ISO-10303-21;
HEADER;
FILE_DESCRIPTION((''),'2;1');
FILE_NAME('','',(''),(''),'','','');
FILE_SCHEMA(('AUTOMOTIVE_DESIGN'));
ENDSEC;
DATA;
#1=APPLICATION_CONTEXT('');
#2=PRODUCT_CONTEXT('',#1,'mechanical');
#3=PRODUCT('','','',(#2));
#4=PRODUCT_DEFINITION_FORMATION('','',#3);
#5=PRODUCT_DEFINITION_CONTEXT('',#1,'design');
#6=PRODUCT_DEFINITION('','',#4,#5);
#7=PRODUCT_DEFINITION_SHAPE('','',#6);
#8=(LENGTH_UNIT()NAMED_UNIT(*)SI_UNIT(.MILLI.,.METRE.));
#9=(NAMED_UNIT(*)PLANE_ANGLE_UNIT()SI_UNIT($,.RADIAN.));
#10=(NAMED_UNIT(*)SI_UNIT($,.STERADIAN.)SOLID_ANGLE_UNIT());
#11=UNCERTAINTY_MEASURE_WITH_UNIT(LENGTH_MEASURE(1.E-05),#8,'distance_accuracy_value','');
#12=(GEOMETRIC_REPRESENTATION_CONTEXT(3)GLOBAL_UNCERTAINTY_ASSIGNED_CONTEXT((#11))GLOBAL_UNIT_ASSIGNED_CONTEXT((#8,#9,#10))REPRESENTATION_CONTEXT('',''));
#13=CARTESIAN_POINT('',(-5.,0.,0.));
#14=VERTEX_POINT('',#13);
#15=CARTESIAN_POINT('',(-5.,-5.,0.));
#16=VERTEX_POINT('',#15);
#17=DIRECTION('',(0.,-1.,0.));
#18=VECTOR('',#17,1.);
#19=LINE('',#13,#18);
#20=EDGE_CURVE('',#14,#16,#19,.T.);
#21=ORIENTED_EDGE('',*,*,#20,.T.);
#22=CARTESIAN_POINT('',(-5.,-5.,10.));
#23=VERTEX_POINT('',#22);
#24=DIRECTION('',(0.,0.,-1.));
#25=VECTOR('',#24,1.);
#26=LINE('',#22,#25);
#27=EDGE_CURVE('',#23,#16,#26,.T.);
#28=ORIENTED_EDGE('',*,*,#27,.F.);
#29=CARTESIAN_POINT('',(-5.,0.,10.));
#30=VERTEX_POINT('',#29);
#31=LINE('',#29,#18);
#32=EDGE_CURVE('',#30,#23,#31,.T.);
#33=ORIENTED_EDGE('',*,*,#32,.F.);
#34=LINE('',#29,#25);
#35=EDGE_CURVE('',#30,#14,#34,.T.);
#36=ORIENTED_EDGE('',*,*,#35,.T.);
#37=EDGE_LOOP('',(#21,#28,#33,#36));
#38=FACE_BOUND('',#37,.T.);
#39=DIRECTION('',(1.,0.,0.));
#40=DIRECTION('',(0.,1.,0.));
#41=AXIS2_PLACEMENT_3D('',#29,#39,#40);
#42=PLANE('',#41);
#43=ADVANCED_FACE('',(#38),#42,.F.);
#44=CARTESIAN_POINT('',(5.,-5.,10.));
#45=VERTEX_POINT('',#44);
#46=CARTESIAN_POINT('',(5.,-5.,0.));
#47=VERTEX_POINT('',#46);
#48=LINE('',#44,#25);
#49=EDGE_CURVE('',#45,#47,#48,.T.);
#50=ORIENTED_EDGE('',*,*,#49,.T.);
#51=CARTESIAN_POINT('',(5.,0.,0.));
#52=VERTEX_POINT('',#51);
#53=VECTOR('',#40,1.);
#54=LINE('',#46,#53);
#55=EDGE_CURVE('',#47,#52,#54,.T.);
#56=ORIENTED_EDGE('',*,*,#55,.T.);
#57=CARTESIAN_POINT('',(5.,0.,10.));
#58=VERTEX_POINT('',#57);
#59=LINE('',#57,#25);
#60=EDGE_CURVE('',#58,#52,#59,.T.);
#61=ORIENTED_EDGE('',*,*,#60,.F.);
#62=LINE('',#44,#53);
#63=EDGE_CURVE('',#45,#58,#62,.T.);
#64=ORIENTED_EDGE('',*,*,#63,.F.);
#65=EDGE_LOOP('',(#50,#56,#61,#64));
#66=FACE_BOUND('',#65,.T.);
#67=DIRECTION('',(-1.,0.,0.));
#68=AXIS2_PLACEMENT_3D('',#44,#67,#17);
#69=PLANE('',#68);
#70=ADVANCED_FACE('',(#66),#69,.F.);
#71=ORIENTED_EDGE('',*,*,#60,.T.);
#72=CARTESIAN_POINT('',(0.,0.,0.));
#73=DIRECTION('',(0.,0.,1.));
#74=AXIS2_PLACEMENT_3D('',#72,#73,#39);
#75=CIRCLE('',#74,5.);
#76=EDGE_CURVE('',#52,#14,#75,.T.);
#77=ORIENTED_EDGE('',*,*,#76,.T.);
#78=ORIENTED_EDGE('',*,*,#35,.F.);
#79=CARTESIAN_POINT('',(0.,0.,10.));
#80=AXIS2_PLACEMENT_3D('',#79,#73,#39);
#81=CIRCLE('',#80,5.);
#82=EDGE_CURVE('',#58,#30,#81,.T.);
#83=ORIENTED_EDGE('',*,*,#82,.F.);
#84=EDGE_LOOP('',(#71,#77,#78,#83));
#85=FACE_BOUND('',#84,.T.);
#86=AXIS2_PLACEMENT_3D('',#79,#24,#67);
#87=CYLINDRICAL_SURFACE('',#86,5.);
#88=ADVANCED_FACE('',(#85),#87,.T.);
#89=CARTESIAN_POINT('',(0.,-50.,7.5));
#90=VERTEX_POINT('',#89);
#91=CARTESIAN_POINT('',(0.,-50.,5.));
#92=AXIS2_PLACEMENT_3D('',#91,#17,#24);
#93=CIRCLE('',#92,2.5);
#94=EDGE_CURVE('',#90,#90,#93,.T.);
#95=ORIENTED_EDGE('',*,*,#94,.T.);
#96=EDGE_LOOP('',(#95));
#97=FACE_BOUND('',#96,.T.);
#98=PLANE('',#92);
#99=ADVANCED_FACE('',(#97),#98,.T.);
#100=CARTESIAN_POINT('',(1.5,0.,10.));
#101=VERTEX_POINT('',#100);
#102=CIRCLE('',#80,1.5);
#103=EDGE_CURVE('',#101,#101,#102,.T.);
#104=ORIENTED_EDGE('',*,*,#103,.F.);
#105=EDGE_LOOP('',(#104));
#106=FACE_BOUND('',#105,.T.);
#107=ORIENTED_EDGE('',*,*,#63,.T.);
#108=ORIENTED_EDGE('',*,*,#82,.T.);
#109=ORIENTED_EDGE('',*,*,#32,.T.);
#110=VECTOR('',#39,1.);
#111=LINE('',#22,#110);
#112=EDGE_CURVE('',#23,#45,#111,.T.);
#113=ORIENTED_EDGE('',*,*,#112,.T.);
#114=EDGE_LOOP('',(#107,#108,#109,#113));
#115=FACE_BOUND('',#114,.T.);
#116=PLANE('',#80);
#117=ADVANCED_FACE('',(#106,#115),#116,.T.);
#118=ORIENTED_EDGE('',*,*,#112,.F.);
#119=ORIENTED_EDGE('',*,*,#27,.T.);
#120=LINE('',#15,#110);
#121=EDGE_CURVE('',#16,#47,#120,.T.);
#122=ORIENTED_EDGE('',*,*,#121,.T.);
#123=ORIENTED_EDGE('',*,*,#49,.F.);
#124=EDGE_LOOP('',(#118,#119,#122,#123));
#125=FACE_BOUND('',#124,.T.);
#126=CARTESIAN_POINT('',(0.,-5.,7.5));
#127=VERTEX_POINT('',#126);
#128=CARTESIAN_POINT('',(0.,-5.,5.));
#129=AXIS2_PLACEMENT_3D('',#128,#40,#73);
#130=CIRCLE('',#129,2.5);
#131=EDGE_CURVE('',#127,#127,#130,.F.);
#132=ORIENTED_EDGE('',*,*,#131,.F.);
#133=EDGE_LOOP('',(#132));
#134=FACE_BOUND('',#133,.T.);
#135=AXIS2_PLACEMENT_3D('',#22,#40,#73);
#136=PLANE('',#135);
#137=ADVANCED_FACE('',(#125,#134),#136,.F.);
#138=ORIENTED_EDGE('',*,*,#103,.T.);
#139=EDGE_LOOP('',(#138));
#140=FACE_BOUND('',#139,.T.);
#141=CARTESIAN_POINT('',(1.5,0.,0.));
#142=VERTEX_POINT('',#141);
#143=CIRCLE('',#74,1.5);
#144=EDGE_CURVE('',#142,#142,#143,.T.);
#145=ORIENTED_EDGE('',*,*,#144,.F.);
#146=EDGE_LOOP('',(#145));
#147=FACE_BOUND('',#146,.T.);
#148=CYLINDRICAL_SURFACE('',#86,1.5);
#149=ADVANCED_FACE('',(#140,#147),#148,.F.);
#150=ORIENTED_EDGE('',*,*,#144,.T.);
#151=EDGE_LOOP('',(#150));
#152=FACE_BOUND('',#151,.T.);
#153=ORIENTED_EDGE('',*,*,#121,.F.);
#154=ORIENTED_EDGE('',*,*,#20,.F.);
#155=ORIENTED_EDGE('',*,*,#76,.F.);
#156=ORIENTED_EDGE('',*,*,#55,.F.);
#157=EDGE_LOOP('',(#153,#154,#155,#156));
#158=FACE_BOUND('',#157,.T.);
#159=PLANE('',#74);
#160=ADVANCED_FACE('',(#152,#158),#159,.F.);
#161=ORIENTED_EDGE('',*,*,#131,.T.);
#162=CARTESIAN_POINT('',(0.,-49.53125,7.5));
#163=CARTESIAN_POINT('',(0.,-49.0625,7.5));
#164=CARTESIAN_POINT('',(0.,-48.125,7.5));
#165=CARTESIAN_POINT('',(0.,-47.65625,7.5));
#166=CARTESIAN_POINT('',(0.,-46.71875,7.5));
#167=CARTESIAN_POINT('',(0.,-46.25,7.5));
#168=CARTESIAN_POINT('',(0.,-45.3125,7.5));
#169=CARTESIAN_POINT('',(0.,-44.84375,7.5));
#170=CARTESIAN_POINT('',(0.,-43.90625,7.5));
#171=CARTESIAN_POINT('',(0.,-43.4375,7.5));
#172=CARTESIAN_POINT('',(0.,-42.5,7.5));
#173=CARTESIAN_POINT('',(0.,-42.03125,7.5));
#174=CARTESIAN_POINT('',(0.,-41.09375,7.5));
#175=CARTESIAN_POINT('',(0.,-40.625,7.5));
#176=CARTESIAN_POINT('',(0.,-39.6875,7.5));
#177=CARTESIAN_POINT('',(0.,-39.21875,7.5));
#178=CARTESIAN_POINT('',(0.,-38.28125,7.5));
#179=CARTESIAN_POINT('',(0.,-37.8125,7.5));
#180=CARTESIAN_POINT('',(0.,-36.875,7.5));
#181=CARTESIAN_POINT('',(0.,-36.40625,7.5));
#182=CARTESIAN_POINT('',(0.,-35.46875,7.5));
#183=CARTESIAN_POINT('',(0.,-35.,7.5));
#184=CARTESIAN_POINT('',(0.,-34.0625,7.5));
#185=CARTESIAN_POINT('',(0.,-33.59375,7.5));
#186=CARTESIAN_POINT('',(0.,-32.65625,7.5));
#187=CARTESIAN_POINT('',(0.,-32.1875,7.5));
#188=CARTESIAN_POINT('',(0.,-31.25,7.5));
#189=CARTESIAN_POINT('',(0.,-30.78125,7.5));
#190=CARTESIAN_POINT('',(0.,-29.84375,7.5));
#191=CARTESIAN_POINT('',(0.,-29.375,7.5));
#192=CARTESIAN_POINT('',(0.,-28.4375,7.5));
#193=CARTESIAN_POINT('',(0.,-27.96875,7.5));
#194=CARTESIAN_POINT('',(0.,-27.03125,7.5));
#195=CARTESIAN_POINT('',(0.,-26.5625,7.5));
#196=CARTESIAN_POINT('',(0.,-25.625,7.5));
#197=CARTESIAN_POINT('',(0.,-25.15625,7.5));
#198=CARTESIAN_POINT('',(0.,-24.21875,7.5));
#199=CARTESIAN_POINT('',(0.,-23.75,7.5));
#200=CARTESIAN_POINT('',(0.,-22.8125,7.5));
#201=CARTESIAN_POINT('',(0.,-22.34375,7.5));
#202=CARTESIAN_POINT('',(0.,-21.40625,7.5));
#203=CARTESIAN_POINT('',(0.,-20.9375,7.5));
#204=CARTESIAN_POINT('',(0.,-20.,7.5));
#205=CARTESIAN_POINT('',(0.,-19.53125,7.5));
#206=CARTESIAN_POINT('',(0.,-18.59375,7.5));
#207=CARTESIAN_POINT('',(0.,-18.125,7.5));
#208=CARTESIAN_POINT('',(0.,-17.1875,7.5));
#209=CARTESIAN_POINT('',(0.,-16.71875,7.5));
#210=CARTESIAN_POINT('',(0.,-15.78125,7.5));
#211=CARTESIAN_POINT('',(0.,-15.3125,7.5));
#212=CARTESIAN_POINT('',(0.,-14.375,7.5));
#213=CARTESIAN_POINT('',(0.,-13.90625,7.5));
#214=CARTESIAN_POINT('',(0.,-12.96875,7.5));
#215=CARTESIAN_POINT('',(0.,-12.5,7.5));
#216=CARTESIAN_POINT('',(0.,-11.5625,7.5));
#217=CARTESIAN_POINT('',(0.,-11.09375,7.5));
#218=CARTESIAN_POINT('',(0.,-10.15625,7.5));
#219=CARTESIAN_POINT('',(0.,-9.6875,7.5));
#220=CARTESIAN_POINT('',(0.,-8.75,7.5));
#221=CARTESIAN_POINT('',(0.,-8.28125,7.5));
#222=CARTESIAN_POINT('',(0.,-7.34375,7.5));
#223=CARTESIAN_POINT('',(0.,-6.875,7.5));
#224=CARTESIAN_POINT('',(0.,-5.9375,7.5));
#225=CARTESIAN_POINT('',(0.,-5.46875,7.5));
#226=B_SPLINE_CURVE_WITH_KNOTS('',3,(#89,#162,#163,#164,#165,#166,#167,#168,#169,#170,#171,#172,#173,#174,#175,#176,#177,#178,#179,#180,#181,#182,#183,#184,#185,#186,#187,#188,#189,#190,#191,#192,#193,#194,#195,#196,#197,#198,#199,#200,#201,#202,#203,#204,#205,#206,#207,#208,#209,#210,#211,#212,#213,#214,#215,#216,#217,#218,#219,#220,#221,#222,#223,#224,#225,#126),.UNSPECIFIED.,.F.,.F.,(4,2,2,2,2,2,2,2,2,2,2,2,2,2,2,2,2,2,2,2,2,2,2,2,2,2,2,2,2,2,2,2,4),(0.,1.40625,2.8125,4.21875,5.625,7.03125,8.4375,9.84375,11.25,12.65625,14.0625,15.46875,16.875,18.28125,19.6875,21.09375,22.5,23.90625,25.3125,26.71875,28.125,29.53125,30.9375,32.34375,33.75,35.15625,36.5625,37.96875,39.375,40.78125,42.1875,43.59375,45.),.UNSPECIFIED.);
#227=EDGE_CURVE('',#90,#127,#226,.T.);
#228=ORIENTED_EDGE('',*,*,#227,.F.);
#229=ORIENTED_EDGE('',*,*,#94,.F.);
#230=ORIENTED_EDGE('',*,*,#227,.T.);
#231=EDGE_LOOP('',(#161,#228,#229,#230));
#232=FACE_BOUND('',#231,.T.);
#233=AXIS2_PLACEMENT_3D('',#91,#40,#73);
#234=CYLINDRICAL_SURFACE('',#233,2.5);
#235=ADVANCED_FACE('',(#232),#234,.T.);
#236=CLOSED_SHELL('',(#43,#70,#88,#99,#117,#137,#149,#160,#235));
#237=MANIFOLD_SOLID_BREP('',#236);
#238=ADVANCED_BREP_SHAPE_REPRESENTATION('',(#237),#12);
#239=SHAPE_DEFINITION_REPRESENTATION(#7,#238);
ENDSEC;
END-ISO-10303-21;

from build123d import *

# Parameters (mm, degrees)
CROQUIS1_R              = 1.5
SALIENTE_EXTRUIR1_DEPTH = 10
CROQUIS2_R              = 2.5
SALIENTE_EXTRUIR2_DEPTH = 45


with BuildPart() as part:
    # Croquis1 → Saliente-Extruir1 (new body)
    with BuildSketch(Plane.XY):
        with BuildLine():
            Line((-5, 0), (-5, -5))
            Line((-5, -5), (5, -5))
            Line((5, -5), (5, 0))
            ThreePointArc((5, 0), (0, 5), (-5, 0))
        make_face()
        Circle(CROQUIS1_R, mode=Mode.SUBTRACT)
    extrude(amount=SALIENTE_EXTRUIR1_DEPTH)

    # Croquis2 → Saliente-Extruir2 (add)
    with BuildSketch(Plane.XZ.offset(5)):
        with Locations((0, 5)):
            Circle(CROQUIS2_R)
    extrude(amount=SALIENTE_EXTRUIR2_DEPTH)


solid = part.part
